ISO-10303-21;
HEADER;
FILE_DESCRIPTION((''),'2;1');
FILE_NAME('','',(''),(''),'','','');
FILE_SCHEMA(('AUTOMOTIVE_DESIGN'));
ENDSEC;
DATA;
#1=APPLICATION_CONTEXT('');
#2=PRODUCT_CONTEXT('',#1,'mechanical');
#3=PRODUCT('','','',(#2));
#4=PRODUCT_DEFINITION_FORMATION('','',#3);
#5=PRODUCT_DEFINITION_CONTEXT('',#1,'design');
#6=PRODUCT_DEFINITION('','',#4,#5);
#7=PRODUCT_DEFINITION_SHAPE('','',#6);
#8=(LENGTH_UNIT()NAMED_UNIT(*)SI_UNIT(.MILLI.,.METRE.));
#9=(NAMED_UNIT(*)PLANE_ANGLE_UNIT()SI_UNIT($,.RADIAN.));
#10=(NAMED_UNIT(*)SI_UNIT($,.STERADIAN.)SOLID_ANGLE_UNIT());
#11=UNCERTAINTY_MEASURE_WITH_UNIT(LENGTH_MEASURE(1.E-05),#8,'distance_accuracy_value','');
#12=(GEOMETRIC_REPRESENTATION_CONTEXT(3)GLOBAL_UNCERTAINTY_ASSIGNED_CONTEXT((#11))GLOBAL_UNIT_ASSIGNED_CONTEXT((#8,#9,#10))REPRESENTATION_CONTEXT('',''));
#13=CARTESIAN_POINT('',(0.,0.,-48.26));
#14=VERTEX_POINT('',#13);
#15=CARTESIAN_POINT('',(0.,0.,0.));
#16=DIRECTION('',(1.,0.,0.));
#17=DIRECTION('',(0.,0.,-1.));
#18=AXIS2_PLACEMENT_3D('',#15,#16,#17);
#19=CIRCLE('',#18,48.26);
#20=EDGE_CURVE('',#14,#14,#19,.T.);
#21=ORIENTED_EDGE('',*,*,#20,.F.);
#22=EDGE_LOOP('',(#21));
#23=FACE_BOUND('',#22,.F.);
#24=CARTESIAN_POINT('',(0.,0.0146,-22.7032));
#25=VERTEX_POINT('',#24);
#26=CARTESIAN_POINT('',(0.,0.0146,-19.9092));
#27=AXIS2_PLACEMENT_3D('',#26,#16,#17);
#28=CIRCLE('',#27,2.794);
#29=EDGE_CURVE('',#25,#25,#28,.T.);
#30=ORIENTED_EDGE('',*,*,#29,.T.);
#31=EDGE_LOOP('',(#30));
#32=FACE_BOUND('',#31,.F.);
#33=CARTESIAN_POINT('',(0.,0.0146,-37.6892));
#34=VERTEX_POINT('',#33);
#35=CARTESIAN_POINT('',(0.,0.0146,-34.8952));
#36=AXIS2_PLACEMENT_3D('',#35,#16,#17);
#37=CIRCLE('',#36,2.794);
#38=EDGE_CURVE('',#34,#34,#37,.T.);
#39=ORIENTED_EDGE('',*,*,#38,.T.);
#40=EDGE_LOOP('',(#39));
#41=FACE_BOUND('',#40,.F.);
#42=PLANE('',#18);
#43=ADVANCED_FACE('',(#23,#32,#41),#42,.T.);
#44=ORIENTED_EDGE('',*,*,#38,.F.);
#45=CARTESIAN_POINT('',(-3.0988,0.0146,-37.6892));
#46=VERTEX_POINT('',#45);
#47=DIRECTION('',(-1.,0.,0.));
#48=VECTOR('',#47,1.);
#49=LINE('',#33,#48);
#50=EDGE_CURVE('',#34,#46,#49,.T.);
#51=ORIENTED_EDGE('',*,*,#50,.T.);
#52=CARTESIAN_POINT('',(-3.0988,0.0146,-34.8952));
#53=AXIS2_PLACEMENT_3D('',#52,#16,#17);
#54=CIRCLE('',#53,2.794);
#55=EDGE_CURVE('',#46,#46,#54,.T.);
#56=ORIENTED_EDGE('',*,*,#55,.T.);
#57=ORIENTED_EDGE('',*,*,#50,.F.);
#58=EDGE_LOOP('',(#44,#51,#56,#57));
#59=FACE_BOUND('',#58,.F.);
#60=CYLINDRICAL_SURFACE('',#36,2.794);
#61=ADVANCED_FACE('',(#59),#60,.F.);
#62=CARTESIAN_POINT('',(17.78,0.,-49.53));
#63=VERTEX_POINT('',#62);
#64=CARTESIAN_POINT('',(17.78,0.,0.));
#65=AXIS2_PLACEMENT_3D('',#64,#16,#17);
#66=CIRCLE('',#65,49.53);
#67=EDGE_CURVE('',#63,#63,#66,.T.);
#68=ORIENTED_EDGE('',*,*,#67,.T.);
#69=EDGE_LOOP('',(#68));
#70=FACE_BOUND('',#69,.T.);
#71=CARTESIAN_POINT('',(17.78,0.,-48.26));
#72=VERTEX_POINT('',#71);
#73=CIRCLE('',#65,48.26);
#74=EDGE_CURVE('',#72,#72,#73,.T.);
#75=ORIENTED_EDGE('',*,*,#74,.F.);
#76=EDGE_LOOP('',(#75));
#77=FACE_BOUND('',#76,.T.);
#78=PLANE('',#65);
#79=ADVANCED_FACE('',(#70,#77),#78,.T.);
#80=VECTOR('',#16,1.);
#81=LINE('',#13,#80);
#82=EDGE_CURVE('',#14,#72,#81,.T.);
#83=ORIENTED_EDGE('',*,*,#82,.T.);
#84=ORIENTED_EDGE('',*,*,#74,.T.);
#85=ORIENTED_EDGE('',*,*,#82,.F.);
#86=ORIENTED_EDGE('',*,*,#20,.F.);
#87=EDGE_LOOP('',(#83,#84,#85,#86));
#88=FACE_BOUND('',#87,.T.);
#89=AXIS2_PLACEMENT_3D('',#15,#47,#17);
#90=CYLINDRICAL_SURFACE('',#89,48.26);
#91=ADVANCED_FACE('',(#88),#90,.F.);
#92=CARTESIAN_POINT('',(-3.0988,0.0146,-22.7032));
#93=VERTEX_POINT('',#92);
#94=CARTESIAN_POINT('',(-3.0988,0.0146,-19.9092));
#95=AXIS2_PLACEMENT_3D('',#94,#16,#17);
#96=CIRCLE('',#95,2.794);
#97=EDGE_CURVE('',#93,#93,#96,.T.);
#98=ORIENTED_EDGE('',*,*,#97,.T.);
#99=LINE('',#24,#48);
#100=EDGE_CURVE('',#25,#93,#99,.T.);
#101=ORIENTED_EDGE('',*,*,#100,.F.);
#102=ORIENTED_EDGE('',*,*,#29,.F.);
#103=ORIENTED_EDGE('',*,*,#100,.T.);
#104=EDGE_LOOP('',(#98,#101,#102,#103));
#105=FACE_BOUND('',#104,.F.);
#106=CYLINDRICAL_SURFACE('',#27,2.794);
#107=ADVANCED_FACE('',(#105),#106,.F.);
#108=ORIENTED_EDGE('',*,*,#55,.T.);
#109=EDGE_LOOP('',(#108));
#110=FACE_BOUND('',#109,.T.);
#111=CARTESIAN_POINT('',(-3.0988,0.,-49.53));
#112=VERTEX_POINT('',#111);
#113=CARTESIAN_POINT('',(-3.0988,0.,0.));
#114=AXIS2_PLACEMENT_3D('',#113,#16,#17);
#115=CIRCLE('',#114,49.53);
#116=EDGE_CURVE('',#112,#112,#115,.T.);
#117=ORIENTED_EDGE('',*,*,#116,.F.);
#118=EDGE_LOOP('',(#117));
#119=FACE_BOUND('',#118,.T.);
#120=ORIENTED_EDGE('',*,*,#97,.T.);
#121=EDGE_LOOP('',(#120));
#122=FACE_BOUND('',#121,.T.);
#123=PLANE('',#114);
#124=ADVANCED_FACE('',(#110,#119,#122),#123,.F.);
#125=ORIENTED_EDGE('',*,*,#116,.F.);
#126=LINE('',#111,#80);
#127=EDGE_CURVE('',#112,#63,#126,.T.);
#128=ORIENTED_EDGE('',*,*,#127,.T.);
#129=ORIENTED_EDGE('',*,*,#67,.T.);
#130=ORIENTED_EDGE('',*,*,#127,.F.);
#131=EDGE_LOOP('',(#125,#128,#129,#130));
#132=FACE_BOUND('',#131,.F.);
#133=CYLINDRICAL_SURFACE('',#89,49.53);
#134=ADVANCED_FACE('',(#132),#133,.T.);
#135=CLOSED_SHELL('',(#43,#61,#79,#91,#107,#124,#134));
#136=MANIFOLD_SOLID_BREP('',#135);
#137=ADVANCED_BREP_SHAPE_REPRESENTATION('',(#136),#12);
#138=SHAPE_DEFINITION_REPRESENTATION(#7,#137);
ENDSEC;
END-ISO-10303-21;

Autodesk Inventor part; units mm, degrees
ref_plane "YZ Plane" through (0, 0, 0) normal (1, 0, 0) x (0, 1, 0)
ref_plane "XZ Plane" through (0, 0, 0) normal (0, 1, 0) x (-1, 0, 0)
ref_plane "XY Plane" through (0, 0, 0) normal (0, 0, 1) x (1, 0, 0)
sketch "Sketch1" plane through (0, 0, 0) normal (0, 1, 0) x (-1, 0, 0)
  line L0 (0, 0) -> (3.0988, 0)
  line L1 (3.0988, 0) -> (3.0988, -47.498)
  line L2 (3.0988, -47.498) -> (0, -47.498)
  line L3 (0, -47.498) -> (0, 0)
  line L4 (3.0988, 0) -> (0, 0)
  line L5 (0, 0) -> (0, -49.53)
  line L6 (0, -49.53) -> (3.0988, -49.53)
  line L7 (3.0988, -49.53) -> (3.0988, 0)
  dimension "d0" = 3.0988
  dimension "d1" = 47.498
  dimension "d2" = 49.53
revolve "top base" add sketch "Sketch1" angle 360 about axis through (-3.0988, 0, 0) along (1, 0, 0)
sketch "outer wall" plane through (0, 0, 0) normal (1, 0, 0) x (0, 0, -1)
  circle A0 centre (0, 0) radius 48.26
  circle A1 centre (0, 0) radius 49.53
  dimension "d4" = 96.52
  dimension "d7" = 99.06
extrude "top outer wall" add sketch "outer wall" along normal blind 17.78
sketch "top circles" plane through (0, 0, 0) normal (1, 0, 0) x (0, 0, -1)
  line L0 (27.4022, -6.3354) -> (27.4022, 6.3646) construction
  circle A0 centre (34.8952, 0.0146) radius 2.794
  circle A1 centre (19.9092, 0.0146) radius 2.794
  line L1 (22.7032, 0.0146) -> (32.1012, 0.0146) construction
  line L2 (14.7022, -6.3354) -> (40.1022, -6.3354) construction
  line L3 (40.1022, -6.3354) -> (40.1022, 6.3646) construction
  line L4 (40.1022, 6.3646) -> (14.7022, 6.3646) construction
  line L5 (14.7022, 6.3646) -> (14.7022, -6.3354) construction
  line L6 (14.7022, -6.3354) -> (40.1022, 6.3646) construction
  line L7 (40.1022, -6.3354) -> (14.7022, 6.3646) construction
  line L8 (40.065, -6.3646) -> (-40.065, -6.3646)
  line L9 (-40.065, -6.3646) -> (-40.065, 6.3646)
  line L10 (-40.065, 6.3646) -> (40.065, 6.3646)
  line L11 (40.065, 6.3646) -> (40.065, -6.3646)
  line L12 (40.065, -6.3646) -> (-40.065, 6.3646) construction
  line L13 (-40.065, -6.3646) -> (40.065, 6.3646) construction
  circle A2 centre (0, 0) radius 48.26 projected
  point P0 (27.4022, 0.0146)
  dimension "d30" = 9.398
  dimension "d31" = 8.001
  dimension "d32" = 8.001
  dimension "d33" = 80.13
extrude "Top holes" cut sketch "top circles" against normal blind 25.4 contours A0 | A1
properties part number "Top Sensor Base v1.2"
